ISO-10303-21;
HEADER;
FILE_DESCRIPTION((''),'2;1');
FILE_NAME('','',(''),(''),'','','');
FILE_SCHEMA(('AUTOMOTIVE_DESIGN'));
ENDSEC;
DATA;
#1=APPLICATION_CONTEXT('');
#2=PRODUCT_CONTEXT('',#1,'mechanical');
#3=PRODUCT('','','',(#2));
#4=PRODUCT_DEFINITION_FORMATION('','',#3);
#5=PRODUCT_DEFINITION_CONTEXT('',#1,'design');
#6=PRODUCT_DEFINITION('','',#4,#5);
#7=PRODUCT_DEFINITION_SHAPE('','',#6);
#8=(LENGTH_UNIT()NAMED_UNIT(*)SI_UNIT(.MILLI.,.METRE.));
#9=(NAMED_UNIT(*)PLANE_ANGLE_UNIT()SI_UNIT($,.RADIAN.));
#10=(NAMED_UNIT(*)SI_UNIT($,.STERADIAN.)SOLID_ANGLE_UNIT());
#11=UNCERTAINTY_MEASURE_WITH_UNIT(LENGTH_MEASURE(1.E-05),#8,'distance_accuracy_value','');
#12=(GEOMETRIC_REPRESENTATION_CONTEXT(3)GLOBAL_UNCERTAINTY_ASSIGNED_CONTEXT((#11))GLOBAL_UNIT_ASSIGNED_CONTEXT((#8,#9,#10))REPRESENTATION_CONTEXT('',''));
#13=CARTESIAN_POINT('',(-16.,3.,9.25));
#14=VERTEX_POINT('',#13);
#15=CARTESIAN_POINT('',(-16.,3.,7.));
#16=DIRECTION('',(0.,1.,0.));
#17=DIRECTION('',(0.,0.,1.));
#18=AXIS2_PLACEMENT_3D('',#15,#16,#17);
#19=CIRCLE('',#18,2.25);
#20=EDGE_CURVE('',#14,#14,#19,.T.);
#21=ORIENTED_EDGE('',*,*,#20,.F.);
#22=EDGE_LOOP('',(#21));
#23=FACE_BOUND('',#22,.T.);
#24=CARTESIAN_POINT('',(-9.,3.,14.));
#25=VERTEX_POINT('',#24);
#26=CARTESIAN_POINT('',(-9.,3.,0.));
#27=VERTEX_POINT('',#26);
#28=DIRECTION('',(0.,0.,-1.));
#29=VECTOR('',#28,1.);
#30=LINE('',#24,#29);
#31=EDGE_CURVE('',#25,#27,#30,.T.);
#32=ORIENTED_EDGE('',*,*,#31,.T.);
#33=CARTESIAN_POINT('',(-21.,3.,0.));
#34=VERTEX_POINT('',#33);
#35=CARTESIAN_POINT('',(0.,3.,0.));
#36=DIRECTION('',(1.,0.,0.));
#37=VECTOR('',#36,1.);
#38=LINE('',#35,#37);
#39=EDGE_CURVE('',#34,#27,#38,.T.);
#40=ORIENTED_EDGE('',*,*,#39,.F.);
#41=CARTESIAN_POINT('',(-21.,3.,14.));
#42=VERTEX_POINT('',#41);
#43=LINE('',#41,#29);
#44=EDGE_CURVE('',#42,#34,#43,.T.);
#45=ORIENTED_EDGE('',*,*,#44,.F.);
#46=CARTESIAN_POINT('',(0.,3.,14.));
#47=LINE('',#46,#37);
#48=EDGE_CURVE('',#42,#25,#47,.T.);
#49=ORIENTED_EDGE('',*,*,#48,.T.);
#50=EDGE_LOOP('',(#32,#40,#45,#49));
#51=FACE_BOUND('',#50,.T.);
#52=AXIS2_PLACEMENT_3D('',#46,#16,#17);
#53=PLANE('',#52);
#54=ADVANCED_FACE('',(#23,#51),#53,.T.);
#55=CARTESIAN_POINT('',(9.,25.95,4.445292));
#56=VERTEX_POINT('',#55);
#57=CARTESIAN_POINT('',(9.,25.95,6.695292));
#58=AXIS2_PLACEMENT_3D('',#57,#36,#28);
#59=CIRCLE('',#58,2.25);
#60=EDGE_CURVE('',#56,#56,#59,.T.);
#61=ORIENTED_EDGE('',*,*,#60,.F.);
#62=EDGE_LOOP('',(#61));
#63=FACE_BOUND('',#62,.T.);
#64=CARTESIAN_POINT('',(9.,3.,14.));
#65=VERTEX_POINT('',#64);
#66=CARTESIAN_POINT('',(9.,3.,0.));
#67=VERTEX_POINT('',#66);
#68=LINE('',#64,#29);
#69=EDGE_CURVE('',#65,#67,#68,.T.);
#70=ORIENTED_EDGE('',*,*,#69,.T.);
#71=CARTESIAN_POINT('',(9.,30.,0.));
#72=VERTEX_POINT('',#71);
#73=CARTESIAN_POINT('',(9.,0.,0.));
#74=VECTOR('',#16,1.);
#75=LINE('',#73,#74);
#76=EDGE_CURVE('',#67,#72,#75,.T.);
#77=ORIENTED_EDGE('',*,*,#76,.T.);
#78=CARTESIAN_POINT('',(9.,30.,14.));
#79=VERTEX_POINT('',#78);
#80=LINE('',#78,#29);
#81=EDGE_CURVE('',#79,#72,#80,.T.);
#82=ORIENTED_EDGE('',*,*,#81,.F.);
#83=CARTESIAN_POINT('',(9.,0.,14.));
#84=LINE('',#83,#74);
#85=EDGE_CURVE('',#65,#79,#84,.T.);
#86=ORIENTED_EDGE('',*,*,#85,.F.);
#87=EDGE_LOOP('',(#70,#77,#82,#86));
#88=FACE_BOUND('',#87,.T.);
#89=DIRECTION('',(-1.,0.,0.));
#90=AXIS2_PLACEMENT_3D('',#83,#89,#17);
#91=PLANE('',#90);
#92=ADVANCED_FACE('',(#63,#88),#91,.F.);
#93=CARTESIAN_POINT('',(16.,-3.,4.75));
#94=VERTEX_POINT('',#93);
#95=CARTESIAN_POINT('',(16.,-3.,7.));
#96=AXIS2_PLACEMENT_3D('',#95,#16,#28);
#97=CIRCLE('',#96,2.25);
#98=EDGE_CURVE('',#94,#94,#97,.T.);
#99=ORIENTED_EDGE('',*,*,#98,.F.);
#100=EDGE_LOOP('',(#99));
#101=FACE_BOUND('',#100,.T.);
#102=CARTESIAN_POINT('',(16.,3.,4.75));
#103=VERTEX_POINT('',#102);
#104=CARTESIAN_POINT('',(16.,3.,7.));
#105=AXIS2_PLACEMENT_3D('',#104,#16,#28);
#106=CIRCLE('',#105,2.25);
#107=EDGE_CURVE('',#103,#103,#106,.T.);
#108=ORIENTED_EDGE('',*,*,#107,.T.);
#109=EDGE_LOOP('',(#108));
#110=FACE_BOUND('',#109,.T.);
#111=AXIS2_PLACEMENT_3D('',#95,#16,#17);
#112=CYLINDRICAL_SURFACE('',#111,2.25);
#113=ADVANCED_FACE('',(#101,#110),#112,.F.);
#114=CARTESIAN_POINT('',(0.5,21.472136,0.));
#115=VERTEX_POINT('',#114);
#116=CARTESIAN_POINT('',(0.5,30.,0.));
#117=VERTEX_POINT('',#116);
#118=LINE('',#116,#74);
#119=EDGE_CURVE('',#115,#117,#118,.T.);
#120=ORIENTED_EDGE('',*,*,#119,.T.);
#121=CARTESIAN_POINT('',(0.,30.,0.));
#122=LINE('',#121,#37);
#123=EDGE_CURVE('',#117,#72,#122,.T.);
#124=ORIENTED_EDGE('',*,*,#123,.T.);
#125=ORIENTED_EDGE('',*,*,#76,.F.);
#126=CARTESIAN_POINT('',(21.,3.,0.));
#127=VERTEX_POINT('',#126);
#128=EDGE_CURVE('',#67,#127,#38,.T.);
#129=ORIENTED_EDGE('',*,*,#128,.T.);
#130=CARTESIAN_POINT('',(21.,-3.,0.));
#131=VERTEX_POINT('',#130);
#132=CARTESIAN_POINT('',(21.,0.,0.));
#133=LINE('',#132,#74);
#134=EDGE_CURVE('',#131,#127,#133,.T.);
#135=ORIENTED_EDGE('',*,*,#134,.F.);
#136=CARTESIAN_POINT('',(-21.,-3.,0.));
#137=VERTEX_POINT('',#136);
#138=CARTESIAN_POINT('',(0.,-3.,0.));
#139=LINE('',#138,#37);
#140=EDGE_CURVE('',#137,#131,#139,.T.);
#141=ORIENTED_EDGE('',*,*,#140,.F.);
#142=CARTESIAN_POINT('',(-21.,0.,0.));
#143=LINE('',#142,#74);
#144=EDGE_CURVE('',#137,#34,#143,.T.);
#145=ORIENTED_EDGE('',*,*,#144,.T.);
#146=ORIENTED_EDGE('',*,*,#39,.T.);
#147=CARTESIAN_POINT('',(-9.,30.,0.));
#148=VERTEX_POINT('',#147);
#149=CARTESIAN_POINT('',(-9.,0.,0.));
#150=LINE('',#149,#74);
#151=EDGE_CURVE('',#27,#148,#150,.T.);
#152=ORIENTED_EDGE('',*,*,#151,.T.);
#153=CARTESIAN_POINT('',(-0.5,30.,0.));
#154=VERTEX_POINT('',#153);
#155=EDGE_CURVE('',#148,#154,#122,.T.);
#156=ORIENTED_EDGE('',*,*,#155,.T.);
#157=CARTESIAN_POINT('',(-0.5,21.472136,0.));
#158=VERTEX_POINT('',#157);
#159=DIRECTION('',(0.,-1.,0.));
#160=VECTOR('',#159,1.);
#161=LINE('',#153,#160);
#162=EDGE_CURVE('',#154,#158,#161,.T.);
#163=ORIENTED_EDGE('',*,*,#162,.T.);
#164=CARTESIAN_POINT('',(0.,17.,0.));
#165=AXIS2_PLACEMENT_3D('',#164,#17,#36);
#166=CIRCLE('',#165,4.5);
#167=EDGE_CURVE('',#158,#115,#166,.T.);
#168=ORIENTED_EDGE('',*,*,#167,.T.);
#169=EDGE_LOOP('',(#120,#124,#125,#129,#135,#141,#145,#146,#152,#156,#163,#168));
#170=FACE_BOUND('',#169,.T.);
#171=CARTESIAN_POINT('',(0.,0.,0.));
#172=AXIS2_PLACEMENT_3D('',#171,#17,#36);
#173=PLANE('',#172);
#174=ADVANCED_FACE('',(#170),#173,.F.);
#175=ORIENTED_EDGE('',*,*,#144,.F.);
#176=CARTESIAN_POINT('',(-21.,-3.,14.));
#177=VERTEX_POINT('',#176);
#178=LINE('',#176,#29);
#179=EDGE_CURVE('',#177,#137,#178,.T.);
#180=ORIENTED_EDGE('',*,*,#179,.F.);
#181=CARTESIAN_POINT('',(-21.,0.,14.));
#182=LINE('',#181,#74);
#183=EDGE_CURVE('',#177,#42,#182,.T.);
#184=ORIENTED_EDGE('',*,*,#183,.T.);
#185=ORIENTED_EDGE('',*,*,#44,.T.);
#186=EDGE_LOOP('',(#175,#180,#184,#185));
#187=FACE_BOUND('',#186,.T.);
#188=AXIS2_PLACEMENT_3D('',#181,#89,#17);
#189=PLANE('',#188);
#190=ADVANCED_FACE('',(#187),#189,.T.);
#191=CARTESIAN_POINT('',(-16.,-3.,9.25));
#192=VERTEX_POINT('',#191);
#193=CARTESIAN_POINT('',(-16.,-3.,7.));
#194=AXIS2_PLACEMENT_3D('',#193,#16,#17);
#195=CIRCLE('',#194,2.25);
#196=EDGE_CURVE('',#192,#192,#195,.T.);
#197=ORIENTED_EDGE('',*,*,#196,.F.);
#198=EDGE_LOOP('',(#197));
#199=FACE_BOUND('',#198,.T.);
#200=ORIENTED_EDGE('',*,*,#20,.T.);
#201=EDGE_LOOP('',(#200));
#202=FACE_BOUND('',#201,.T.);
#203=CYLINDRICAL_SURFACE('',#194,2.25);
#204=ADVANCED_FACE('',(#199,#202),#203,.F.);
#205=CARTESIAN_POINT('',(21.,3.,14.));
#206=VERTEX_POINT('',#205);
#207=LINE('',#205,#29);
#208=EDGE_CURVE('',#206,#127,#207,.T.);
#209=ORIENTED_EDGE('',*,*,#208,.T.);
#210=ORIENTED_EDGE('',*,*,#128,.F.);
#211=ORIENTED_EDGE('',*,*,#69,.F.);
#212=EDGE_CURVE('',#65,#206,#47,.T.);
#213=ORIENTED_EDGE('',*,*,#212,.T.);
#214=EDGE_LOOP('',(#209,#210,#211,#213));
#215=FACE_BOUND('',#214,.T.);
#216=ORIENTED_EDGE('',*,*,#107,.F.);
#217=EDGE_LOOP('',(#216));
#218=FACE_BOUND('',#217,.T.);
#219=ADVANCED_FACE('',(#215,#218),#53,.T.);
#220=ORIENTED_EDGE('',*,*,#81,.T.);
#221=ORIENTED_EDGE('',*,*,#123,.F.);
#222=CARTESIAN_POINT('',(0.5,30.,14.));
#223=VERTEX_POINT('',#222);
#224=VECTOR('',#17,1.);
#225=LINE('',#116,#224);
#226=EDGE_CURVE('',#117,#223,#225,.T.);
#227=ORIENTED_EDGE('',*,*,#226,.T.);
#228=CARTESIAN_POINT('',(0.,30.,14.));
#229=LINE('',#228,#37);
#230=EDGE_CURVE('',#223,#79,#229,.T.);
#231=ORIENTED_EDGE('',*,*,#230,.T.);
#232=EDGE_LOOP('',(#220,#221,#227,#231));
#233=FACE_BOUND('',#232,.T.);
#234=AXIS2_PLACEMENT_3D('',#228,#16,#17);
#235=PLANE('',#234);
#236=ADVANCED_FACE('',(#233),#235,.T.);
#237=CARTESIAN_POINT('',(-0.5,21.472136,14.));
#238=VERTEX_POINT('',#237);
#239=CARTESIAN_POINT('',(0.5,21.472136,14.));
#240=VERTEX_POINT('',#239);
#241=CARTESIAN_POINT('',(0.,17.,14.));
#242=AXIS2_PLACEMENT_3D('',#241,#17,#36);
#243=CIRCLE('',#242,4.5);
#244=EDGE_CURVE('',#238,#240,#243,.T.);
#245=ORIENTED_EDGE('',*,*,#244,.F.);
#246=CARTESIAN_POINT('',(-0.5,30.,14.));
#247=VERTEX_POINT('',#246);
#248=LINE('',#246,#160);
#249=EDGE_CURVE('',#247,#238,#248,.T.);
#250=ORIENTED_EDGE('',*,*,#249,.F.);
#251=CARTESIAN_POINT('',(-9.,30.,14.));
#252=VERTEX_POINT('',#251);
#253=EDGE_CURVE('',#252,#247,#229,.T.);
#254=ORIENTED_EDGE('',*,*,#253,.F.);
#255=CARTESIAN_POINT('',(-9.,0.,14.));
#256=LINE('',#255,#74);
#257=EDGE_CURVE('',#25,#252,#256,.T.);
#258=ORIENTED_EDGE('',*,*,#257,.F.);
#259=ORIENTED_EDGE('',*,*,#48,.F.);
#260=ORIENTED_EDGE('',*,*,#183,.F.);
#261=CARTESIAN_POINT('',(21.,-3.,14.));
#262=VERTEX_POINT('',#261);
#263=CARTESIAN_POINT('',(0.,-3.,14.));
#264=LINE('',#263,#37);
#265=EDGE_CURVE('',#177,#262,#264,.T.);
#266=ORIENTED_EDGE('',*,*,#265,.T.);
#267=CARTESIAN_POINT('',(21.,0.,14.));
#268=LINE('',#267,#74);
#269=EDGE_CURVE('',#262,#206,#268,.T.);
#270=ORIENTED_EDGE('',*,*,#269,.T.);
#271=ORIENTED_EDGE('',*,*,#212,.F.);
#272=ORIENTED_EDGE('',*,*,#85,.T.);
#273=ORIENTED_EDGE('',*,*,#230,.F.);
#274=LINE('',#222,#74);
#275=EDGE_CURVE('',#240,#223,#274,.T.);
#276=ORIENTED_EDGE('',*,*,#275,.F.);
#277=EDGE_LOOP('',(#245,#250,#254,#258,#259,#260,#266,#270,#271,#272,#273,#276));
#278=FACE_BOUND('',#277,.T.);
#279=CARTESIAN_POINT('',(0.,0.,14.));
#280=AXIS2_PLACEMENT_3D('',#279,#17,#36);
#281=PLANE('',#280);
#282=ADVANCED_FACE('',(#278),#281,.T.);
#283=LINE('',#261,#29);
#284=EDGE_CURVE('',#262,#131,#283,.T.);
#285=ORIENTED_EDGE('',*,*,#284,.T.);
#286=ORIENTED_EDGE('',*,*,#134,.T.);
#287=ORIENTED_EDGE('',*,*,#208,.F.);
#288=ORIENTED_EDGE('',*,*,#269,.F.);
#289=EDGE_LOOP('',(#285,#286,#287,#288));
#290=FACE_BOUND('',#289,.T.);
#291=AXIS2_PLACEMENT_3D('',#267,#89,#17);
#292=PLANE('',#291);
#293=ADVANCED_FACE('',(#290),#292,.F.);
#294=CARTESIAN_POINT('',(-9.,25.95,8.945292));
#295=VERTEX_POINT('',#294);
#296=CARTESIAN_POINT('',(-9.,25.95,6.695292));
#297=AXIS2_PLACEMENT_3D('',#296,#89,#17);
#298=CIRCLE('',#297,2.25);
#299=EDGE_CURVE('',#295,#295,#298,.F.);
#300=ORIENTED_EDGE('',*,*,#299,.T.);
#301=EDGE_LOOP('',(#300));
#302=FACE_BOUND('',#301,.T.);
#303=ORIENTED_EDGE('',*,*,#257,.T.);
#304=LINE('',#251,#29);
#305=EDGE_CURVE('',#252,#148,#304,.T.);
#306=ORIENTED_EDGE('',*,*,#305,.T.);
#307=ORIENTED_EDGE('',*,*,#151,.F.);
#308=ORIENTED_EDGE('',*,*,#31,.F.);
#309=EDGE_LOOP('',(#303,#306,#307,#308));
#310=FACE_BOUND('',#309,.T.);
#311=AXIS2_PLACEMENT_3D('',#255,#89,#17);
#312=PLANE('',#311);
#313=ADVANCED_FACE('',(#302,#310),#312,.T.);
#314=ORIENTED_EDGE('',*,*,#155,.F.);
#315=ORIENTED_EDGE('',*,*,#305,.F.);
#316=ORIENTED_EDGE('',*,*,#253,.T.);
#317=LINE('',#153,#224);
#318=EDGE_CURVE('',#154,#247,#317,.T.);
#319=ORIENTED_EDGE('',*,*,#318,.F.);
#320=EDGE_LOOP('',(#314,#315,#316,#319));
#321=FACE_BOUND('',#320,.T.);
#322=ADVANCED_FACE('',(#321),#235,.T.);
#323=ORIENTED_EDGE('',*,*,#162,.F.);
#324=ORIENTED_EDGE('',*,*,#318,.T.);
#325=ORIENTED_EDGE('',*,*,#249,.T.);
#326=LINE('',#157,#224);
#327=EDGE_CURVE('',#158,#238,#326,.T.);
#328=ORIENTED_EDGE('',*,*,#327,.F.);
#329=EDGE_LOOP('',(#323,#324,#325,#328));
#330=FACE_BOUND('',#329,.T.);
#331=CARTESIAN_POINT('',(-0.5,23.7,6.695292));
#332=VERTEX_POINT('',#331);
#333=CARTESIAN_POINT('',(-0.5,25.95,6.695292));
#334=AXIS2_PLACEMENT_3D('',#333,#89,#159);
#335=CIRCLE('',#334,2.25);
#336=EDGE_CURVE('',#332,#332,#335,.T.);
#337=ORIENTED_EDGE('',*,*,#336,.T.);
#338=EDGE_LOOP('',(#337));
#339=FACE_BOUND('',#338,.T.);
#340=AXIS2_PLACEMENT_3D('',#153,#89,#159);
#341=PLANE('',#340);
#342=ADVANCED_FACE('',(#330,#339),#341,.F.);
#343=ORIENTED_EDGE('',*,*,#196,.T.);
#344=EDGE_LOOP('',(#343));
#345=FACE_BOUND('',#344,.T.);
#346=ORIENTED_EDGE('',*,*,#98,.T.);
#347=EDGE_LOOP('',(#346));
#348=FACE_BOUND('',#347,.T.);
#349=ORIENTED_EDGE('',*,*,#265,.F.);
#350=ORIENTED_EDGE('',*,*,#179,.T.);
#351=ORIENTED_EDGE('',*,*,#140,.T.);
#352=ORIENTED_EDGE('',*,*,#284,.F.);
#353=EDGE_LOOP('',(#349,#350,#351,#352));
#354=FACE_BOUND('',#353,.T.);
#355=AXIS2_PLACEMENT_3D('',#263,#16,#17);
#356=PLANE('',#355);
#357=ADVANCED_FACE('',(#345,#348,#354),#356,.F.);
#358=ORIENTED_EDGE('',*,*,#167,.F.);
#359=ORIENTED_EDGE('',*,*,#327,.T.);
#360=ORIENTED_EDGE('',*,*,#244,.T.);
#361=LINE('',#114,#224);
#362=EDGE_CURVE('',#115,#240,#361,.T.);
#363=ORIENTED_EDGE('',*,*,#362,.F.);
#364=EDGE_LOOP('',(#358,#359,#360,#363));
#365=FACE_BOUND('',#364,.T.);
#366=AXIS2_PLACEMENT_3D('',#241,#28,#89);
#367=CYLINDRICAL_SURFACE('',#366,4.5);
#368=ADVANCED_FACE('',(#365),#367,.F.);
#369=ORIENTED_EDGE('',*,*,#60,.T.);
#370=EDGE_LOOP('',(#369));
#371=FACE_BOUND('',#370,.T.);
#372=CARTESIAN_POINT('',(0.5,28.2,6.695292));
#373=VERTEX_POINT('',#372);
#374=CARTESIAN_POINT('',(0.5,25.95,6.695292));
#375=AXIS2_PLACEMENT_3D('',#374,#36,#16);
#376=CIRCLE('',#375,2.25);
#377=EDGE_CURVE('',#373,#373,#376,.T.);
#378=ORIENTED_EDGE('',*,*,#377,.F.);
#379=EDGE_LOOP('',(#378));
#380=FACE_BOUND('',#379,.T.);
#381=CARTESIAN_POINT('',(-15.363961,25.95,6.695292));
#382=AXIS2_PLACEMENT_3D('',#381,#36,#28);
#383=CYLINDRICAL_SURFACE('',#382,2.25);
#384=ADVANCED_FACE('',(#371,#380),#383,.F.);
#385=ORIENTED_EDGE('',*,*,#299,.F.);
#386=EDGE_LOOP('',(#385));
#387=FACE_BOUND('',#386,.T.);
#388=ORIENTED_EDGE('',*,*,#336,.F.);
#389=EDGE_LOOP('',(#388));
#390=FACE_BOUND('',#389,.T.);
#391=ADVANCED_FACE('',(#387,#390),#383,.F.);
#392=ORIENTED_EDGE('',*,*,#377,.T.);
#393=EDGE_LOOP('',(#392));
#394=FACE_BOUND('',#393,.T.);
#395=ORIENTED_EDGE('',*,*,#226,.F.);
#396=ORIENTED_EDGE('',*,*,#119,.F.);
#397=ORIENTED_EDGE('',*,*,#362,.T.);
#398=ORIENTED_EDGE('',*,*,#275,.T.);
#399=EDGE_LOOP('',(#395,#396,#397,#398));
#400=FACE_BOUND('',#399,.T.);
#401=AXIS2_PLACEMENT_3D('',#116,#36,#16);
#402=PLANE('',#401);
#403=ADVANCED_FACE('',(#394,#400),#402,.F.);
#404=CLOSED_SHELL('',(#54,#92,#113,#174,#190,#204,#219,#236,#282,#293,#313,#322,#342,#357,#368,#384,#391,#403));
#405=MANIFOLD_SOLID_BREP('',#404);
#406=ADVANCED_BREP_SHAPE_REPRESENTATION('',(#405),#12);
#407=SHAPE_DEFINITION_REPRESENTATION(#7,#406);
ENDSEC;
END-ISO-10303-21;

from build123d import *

# Parameters (mm, degrees)
SKETCH1_W           = 18
SKETCH1_H           = 27
SKETCH1_R           = 4.5
SKETCH1_W_2         = 42
SKETCH1_H_2         = 6
BOSS_EXTRUDE1_DEPTH = 14
SKETCH2_R           = 2.25
CUT_EXTRUDE1_DEPTH  = 37.959437225
CUT_EXTRUDE2_DEPTH  = 40.204591568
CUT_EXTRUDE3_REACH  = 46.677
SKETCH4_R           = 2.25


with BuildPart() as part:
    # Sketch1 → Boss-Extrude1 (new body)
    # profile 1 of 2: a face of its own
    with BuildSketch(Plane.XY):
        with Locations((0, 16.5)):
            Rectangle(SKETCH1_W, SKETCH1_H)
        with Locations((0, 17)):
            Circle(SKETCH1_R, mode=Mode.SUBTRACT)
    # profile 2 of 2: a face of its own
    with BuildSketch(Plane.XY):
        Rectangle(SKETCH1_W_2, SKETCH1_H_2)
    extrude(amount=BOSS_EXTRUDE1_DEPTH)

    # Sketch2 → Cut-Extrude1 (cut, through all)
    with BuildSketch(Plane(origin=(0, 3, 0), x_dir=(1, 0, 0), z_dir=(0, 1, 0))):
        with Locations(Location((-16, -7, 0), (0, 0, 270))):
            Circle(SKETCH2_R)
        with Locations(Location((16, -7, 0), (0, 0, 90))):
            Circle(SKETCH2_R)
    extrude(amount=-CUT_EXTRUDE1_DEPTH, mode=Mode.SUBTRACT)

    # Sketch3 → Cut-Extrude2 (cut, through all)
    with BuildSketch(Plane.XY.offset(14)):
        with BuildLine():
            Line((0.5, 30), (0.5, 21.472135955))
            ThreePointArc((0.5, 21.472135955), (0, 21.5), (-0.5, 21.472135955))
            Line((-0.5, 21.472135955), (-0.5, 30))
            Line((-0.5, 30), (0.5, 30))
        make_face()
    extrude(amount=-CUT_EXTRUDE2_DEPTH, mode=Mode.SUBTRACT)

    # Cut-Extrude3: up to this face of the body (flat: up to its plane)
    cut_extrude3_end = Plane(part.part.faces().sort_by_distance((-9, 16.5, 7))[0])
    # Sketch4 → Cut-Extrude3 (cut, up to the picked face)
    with BuildSketch(Plane(origin=(9, 0, 0), x_dir=(0, 0, -1), z_dir=(1, 0, 0)), mode=Mode.PRIVATE) as cut_extrude3_sk1:
        with Locations((-6.695292014, 25.95)):
            Circle(SKETCH4_R)
    cut_extrude3_tool1 = split(extrude(cut_extrude3_sk1.sketch, amount=-CUT_EXTRUDE3_REACH, mode=Mode.PRIVATE), bisect_by=cut_extrude3_end, keep=Keep.BOTH, mode=Mode.PRIVATE)
    add(cut_extrude3_tool1.solids().sort_by(Axis((9, 25.95, 6.695292), (-1, 0, 0)))[0], mode=Mode.SUBTRACT)


solid = part.part
